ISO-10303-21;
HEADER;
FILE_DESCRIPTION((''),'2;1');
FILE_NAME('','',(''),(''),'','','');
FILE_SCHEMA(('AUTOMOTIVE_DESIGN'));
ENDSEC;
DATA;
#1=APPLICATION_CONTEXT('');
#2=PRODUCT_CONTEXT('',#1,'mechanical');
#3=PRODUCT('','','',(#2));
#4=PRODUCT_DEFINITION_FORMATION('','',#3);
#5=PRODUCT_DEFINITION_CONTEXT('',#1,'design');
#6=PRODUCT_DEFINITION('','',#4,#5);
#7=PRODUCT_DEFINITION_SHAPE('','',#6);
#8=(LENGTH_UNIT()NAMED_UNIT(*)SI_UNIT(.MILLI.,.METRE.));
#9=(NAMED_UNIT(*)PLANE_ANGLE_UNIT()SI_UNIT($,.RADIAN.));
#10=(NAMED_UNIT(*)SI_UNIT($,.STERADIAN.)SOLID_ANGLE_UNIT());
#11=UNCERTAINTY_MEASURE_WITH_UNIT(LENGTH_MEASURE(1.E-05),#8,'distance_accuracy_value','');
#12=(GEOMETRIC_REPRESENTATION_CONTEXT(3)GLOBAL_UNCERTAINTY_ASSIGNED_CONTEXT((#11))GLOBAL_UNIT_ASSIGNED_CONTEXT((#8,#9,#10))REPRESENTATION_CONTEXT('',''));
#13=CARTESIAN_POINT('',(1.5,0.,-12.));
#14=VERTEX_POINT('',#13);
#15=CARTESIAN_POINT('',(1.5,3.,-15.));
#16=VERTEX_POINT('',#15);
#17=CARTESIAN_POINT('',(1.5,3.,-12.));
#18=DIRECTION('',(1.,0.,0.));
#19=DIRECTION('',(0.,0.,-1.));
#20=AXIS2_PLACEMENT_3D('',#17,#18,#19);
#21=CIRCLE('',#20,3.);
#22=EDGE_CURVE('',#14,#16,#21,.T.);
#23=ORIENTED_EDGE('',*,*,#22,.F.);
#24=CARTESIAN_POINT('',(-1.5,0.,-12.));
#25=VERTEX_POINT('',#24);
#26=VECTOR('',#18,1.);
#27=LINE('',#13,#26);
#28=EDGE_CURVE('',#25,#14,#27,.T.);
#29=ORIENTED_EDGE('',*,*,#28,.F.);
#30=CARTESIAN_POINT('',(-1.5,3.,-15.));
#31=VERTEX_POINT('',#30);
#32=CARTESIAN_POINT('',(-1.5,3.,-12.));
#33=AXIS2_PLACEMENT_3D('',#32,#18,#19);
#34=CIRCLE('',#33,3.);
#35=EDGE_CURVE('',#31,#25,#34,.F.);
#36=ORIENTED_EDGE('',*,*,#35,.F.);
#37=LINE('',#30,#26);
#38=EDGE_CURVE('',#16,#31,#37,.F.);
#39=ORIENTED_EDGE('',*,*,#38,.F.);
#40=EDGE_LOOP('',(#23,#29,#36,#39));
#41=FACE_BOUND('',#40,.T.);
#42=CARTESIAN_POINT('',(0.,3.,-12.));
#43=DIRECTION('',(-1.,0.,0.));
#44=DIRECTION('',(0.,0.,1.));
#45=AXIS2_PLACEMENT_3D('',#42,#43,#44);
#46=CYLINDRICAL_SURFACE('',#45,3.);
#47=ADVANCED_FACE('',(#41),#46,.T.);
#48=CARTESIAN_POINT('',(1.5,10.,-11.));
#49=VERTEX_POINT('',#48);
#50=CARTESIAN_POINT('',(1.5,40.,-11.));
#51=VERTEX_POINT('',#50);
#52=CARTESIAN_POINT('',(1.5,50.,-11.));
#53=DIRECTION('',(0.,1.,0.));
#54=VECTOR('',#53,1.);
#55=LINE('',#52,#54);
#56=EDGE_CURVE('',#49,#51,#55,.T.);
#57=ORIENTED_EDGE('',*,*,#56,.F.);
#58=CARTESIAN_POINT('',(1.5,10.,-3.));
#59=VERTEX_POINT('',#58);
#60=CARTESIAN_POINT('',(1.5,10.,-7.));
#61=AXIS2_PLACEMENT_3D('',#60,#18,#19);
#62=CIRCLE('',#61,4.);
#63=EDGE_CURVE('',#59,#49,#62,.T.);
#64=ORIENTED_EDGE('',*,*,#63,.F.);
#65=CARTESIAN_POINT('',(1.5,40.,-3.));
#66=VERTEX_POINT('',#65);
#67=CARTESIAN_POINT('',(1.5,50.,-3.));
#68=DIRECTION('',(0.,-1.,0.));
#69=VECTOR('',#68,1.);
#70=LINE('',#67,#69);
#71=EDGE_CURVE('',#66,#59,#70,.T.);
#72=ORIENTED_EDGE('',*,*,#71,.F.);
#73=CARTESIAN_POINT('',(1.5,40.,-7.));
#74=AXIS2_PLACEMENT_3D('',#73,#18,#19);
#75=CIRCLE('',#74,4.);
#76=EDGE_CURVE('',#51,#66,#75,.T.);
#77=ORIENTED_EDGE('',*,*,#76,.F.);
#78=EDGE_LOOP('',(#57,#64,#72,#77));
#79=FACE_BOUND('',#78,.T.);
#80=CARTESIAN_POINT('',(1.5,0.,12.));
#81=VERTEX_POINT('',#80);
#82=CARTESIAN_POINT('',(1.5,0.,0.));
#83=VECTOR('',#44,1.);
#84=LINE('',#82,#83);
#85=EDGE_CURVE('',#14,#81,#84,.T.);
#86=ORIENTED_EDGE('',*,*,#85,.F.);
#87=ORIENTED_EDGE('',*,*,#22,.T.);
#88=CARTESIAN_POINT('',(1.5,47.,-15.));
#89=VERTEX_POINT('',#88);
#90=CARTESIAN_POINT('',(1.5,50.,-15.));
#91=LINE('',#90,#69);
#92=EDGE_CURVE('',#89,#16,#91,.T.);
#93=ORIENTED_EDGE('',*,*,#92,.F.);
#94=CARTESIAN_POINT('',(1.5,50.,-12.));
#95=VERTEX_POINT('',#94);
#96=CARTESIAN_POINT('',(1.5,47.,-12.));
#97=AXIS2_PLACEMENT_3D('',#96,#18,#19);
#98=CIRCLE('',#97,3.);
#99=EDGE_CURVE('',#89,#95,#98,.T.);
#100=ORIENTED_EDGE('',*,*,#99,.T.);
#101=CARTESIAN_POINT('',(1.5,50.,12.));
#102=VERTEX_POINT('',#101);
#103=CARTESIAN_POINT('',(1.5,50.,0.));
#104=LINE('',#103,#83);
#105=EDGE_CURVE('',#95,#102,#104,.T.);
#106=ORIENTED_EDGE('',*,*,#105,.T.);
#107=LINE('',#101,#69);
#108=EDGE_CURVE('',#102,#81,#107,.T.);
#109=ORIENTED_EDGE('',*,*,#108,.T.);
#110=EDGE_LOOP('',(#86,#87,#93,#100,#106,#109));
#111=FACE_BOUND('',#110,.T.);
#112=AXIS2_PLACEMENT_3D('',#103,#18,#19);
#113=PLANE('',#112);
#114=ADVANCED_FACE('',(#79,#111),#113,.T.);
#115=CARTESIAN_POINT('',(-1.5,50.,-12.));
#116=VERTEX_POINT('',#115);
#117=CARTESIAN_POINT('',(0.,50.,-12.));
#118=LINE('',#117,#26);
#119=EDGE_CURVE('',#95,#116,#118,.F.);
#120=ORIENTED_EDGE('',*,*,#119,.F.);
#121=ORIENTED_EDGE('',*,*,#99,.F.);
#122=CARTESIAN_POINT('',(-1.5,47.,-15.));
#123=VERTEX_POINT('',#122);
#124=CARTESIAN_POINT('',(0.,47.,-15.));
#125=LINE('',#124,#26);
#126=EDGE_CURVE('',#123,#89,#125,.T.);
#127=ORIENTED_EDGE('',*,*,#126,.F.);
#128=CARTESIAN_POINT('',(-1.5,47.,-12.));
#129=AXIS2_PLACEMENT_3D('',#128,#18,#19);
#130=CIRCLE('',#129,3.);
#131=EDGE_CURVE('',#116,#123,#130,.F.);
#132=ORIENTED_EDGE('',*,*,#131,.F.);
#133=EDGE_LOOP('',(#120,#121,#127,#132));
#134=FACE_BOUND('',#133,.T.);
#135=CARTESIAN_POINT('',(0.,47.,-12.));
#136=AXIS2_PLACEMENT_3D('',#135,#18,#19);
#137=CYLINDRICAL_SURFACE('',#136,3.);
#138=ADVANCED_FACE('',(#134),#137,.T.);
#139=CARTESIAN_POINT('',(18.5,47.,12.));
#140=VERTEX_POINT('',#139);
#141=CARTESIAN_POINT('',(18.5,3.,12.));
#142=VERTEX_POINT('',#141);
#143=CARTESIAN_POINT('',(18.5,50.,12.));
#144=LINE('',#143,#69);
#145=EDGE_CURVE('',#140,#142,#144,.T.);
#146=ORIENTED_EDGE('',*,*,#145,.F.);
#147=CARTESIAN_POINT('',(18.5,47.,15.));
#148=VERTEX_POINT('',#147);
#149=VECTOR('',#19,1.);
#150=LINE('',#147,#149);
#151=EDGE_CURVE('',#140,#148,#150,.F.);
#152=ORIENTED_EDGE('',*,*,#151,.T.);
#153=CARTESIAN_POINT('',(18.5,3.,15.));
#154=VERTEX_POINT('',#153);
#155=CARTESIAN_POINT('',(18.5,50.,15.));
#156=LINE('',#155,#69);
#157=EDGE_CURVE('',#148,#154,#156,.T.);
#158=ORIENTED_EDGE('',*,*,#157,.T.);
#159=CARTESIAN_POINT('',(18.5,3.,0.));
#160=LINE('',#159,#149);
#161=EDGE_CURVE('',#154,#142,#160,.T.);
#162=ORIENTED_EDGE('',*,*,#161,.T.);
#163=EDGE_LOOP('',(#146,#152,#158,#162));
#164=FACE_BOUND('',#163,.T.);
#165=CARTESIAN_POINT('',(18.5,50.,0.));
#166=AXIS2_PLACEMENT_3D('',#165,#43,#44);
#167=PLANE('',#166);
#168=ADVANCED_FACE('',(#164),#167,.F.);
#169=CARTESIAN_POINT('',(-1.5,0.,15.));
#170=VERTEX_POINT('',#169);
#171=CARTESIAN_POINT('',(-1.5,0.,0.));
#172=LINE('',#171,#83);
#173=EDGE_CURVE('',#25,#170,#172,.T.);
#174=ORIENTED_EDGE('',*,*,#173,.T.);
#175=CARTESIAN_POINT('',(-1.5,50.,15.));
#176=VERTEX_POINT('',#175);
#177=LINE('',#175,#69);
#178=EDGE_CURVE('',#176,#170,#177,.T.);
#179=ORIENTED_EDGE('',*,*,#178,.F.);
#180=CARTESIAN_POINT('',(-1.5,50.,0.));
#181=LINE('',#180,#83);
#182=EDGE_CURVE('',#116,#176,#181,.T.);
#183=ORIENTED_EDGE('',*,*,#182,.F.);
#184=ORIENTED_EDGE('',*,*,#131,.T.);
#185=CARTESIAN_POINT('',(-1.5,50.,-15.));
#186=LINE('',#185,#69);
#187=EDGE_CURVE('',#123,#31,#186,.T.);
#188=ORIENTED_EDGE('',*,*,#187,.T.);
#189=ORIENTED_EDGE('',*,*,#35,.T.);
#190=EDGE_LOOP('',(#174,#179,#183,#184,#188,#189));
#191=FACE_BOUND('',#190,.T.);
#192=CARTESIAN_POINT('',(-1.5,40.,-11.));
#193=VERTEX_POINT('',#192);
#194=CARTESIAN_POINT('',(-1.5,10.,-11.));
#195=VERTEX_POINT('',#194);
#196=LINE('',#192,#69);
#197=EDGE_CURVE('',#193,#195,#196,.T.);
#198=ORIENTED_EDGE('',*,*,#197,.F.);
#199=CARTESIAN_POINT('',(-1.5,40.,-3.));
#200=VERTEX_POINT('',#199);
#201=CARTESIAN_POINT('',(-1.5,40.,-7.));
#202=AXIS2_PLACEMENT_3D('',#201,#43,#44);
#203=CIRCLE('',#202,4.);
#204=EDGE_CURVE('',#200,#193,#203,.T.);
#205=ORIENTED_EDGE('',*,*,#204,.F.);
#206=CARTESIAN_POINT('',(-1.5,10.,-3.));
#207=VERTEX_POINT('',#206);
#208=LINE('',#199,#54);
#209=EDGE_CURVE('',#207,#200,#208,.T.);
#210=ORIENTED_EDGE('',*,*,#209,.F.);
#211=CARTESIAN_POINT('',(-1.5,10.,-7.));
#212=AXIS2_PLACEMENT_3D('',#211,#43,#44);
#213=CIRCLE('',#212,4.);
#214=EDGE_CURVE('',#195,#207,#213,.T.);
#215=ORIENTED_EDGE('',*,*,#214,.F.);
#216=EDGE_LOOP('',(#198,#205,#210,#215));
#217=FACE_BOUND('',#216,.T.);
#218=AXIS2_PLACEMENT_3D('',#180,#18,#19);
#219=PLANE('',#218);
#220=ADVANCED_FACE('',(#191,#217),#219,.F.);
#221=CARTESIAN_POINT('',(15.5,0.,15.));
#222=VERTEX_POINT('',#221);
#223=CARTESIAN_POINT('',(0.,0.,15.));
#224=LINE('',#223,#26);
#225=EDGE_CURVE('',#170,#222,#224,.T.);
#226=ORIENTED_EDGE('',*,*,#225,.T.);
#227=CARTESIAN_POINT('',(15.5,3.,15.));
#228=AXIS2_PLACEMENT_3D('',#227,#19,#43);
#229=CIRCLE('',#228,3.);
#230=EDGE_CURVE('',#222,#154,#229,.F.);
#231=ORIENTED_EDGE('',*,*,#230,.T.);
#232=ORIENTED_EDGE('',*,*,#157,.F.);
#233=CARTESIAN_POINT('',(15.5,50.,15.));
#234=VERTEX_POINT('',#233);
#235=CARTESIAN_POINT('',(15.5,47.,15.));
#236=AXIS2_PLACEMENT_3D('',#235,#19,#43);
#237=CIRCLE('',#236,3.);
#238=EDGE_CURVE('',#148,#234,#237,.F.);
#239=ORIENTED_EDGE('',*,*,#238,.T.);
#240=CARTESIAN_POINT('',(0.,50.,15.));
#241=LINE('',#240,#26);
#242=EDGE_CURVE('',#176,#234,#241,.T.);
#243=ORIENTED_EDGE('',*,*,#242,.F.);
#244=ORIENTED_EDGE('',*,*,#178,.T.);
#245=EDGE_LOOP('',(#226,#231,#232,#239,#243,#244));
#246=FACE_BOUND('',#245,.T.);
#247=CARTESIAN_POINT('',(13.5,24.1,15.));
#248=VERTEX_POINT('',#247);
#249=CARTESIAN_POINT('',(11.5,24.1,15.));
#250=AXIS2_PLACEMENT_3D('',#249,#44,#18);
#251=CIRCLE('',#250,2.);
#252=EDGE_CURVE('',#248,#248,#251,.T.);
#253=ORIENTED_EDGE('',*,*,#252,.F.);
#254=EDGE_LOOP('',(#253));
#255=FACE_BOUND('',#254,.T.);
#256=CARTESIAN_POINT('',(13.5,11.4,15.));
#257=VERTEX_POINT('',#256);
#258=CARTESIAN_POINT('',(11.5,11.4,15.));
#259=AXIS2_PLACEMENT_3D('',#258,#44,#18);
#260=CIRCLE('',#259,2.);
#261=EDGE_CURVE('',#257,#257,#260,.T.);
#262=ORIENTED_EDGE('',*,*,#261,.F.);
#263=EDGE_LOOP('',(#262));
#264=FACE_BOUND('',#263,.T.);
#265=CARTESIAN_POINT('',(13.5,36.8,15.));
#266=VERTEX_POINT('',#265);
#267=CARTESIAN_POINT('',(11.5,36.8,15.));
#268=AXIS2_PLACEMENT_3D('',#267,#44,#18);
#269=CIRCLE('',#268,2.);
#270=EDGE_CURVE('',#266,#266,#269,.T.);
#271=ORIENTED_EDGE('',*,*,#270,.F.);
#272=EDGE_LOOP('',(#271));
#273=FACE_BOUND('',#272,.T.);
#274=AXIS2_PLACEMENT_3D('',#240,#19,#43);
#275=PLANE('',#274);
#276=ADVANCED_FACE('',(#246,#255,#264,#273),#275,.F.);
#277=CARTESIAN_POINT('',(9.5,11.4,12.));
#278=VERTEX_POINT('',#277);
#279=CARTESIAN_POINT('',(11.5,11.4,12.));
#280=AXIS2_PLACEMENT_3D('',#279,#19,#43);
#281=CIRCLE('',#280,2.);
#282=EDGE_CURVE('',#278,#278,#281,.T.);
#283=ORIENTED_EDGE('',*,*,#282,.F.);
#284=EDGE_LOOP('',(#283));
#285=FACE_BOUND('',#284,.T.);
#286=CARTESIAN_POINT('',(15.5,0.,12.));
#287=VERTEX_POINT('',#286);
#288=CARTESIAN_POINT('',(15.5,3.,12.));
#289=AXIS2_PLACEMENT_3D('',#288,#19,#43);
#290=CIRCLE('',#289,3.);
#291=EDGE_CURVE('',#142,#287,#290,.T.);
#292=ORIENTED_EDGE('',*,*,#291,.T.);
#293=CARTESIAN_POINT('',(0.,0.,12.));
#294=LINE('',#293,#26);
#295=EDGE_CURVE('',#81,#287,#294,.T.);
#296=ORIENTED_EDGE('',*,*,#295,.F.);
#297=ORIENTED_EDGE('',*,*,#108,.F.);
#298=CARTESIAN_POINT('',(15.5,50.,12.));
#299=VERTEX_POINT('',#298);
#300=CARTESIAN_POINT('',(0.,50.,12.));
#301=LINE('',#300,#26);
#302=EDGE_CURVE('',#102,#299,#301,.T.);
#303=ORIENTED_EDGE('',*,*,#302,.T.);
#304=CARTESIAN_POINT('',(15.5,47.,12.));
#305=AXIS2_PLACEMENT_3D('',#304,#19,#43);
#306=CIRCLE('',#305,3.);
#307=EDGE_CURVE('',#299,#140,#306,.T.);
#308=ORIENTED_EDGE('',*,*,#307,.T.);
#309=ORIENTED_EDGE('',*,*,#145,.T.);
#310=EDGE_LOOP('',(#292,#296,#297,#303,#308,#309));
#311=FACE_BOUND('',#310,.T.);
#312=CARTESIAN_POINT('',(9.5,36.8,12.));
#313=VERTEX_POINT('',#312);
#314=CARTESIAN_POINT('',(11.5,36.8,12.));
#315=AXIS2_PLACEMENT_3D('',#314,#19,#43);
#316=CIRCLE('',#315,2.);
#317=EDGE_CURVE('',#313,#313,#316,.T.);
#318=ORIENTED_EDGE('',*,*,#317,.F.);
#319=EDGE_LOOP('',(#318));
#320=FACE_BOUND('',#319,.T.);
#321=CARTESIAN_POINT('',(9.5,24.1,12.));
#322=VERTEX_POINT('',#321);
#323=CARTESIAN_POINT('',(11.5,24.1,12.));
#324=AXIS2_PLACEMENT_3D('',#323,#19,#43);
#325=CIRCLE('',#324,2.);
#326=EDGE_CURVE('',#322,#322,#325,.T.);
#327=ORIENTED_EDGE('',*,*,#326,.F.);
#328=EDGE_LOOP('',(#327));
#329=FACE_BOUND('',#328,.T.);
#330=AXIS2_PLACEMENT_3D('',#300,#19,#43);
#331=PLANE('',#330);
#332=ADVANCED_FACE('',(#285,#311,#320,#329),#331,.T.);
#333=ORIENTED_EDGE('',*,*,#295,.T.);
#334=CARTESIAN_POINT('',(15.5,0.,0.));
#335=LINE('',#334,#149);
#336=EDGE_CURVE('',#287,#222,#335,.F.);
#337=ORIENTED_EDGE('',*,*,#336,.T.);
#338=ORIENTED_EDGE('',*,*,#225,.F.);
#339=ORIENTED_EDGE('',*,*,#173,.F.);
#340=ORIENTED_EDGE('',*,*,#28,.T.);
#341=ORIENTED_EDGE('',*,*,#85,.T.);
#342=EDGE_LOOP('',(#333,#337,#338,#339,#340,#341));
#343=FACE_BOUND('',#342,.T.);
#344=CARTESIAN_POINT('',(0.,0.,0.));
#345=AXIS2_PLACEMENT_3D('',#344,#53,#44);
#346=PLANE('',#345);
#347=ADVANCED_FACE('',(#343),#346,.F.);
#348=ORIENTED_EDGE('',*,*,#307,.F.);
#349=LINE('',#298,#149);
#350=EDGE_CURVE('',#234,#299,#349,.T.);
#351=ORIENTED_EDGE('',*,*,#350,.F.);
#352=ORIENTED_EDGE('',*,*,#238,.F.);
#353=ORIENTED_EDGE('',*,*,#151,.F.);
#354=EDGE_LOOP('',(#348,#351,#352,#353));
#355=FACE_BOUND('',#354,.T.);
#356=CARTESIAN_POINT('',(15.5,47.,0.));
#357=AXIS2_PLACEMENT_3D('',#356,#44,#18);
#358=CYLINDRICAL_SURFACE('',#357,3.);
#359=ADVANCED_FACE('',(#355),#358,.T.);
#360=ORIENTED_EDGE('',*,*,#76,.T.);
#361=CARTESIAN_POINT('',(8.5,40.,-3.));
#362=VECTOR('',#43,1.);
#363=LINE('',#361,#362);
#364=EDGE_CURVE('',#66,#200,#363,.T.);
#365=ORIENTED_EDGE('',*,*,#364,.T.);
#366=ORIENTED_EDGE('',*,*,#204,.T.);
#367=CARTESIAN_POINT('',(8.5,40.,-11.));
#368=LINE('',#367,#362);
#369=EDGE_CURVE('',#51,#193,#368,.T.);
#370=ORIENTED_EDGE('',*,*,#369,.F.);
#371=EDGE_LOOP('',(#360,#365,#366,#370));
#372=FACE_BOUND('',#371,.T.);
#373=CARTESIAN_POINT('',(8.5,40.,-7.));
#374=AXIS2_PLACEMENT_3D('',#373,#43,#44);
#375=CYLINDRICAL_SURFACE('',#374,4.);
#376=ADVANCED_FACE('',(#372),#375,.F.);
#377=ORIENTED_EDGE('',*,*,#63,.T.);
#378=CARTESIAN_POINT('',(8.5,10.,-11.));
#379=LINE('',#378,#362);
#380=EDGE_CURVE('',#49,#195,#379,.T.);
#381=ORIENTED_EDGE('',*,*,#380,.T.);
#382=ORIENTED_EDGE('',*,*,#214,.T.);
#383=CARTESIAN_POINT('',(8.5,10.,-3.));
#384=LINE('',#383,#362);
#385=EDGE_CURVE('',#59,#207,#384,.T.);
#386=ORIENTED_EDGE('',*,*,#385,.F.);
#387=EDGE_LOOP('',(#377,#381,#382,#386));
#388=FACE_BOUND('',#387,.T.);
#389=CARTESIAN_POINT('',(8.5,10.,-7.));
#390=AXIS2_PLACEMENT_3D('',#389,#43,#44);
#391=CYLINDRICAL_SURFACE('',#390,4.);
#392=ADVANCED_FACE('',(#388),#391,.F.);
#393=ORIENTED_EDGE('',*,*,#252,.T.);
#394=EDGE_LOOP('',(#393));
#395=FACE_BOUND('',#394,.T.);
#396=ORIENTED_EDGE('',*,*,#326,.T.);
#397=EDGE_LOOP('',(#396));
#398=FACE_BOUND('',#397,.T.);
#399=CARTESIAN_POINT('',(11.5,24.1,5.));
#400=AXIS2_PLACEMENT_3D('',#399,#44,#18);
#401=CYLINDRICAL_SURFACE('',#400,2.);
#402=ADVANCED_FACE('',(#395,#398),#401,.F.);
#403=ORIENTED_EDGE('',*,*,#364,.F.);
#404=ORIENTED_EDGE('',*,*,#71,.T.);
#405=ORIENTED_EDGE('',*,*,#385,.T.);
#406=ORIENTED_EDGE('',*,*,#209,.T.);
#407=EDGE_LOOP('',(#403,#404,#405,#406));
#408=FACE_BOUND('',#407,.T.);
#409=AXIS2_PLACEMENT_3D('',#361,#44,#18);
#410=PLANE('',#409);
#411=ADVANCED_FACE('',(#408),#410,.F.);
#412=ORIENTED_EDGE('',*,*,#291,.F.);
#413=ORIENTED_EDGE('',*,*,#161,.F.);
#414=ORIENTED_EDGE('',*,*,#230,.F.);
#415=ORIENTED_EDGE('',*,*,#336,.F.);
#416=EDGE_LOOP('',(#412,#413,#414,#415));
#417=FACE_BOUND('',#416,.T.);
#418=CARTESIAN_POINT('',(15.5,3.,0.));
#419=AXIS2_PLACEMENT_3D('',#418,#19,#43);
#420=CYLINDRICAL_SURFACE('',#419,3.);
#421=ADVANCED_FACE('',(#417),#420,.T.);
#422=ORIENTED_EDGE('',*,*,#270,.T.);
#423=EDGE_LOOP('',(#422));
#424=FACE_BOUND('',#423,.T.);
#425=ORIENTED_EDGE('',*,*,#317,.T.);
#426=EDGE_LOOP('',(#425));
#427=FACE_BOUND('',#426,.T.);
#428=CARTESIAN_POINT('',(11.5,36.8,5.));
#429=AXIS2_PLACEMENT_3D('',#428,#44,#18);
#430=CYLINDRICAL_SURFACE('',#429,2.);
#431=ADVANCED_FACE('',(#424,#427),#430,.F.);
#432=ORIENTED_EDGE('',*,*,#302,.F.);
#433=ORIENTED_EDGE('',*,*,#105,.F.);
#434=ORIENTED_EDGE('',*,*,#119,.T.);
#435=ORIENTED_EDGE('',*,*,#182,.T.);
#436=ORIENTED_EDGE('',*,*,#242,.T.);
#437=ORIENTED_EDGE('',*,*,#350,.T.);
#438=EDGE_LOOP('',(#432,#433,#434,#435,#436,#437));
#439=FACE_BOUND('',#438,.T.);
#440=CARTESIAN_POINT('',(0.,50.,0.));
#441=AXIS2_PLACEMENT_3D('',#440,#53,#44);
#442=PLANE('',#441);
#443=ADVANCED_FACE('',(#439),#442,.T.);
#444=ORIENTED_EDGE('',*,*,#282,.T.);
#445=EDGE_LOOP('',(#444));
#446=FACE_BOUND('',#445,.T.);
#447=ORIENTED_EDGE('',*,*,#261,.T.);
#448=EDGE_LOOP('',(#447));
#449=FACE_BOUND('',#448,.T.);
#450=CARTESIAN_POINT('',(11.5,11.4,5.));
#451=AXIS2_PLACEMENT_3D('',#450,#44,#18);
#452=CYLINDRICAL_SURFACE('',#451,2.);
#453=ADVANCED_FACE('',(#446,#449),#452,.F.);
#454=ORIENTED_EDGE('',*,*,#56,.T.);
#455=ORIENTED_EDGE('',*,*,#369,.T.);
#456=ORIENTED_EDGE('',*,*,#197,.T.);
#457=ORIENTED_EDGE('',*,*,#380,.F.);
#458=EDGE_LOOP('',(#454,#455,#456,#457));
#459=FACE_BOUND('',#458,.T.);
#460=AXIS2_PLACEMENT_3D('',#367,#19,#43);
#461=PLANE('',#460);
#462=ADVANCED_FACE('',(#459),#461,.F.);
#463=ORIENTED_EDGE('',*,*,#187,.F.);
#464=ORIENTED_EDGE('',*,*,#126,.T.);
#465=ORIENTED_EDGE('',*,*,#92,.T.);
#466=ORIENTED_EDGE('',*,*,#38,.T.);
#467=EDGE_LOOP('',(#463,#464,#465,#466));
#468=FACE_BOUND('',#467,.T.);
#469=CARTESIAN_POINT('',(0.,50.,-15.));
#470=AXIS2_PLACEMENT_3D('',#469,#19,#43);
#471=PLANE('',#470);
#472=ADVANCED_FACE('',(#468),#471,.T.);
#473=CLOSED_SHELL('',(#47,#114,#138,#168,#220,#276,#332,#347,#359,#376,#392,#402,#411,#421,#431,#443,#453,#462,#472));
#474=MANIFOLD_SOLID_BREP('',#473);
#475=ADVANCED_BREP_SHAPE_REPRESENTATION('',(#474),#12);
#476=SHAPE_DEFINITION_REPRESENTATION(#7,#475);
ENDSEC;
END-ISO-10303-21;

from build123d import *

# Parameters (mm, degrees)
SKETCH_1_W          = 3
SKETCH_1_H          = 27
SKETCH_1_H_2        = 3
SKETCH_1_W_2        = 17
EXTRUDE_1_DEPTH     = 50
SKETCH_2_R          = 2
CUT_EXTRUDE_1_DEPTH = 10
CUT_EXTRUDE_2_DEPTH = 10
FILLET_1_R          = 3


with BuildPart() as part:
    # 草图1 → 凸台-拉伸1 (new body)
    with BuildSketch(Plane(origin=(0, 0, 0), x_dir=(1, 0, 0), z_dir=(0, 1, 0))):
        with Locations((0, 1.5)):
            Rectangle(SKETCH_1_W, SKETCH_1_H)
        with Locations((0, -13.5)):
            Rectangle(SKETCH_1_W, SKETCH_1_H_2)
        with Locations((10, -13.5)):
            Rectangle(SKETCH_1_W_2, SKETCH_1_H_2)
    extrude(amount=EXTRUDE_1_DEPTH)

    # 草图2 → 切除-拉伸1 (cut)
    with BuildSketch(Plane.XY.offset(15)):
        with Locations((11.5, 36.8)):
            Circle(SKETCH_2_R)
        with Locations((11.5, 24.1)):
            Circle(SKETCH_2_R)
        with Locations((11.5, 11.4)):
            Circle(SKETCH_2_R)
    extrude(amount=-CUT_EXTRUDE_1_DEPTH, mode=Mode.SUBTRACT)

    # 草图3 → 切除-拉伸2 (cut)
    with BuildSketch(Plane.ZY.offset(1.5)):
        with BuildLine():
            Line((-3, 40), (-3, 10))
            ThreePointArc((-3, 10), (-7, 6), (-11, 10))
            Line((-11, 10), (-11, 40))
            ThreePointArc((-11, 40), (-7, 44), (-3, 40))
        make_face()
    extrude(amount=-CUT_EXTRUDE_2_DEPTH, mode=Mode.SUBTRACT)

    # 圆角1
    fillet_1_edges = [part.edges().sort_by_distance(p)[0] for p in [
        (18.5, 0, 13.5),
        (18.5, 50, 13.5),
        (0, 50, -15),
        (0, 0, -15),
    ]]
    fillet(fillet_1_edges, radius=FILLET_1_R)


solid = part.part
